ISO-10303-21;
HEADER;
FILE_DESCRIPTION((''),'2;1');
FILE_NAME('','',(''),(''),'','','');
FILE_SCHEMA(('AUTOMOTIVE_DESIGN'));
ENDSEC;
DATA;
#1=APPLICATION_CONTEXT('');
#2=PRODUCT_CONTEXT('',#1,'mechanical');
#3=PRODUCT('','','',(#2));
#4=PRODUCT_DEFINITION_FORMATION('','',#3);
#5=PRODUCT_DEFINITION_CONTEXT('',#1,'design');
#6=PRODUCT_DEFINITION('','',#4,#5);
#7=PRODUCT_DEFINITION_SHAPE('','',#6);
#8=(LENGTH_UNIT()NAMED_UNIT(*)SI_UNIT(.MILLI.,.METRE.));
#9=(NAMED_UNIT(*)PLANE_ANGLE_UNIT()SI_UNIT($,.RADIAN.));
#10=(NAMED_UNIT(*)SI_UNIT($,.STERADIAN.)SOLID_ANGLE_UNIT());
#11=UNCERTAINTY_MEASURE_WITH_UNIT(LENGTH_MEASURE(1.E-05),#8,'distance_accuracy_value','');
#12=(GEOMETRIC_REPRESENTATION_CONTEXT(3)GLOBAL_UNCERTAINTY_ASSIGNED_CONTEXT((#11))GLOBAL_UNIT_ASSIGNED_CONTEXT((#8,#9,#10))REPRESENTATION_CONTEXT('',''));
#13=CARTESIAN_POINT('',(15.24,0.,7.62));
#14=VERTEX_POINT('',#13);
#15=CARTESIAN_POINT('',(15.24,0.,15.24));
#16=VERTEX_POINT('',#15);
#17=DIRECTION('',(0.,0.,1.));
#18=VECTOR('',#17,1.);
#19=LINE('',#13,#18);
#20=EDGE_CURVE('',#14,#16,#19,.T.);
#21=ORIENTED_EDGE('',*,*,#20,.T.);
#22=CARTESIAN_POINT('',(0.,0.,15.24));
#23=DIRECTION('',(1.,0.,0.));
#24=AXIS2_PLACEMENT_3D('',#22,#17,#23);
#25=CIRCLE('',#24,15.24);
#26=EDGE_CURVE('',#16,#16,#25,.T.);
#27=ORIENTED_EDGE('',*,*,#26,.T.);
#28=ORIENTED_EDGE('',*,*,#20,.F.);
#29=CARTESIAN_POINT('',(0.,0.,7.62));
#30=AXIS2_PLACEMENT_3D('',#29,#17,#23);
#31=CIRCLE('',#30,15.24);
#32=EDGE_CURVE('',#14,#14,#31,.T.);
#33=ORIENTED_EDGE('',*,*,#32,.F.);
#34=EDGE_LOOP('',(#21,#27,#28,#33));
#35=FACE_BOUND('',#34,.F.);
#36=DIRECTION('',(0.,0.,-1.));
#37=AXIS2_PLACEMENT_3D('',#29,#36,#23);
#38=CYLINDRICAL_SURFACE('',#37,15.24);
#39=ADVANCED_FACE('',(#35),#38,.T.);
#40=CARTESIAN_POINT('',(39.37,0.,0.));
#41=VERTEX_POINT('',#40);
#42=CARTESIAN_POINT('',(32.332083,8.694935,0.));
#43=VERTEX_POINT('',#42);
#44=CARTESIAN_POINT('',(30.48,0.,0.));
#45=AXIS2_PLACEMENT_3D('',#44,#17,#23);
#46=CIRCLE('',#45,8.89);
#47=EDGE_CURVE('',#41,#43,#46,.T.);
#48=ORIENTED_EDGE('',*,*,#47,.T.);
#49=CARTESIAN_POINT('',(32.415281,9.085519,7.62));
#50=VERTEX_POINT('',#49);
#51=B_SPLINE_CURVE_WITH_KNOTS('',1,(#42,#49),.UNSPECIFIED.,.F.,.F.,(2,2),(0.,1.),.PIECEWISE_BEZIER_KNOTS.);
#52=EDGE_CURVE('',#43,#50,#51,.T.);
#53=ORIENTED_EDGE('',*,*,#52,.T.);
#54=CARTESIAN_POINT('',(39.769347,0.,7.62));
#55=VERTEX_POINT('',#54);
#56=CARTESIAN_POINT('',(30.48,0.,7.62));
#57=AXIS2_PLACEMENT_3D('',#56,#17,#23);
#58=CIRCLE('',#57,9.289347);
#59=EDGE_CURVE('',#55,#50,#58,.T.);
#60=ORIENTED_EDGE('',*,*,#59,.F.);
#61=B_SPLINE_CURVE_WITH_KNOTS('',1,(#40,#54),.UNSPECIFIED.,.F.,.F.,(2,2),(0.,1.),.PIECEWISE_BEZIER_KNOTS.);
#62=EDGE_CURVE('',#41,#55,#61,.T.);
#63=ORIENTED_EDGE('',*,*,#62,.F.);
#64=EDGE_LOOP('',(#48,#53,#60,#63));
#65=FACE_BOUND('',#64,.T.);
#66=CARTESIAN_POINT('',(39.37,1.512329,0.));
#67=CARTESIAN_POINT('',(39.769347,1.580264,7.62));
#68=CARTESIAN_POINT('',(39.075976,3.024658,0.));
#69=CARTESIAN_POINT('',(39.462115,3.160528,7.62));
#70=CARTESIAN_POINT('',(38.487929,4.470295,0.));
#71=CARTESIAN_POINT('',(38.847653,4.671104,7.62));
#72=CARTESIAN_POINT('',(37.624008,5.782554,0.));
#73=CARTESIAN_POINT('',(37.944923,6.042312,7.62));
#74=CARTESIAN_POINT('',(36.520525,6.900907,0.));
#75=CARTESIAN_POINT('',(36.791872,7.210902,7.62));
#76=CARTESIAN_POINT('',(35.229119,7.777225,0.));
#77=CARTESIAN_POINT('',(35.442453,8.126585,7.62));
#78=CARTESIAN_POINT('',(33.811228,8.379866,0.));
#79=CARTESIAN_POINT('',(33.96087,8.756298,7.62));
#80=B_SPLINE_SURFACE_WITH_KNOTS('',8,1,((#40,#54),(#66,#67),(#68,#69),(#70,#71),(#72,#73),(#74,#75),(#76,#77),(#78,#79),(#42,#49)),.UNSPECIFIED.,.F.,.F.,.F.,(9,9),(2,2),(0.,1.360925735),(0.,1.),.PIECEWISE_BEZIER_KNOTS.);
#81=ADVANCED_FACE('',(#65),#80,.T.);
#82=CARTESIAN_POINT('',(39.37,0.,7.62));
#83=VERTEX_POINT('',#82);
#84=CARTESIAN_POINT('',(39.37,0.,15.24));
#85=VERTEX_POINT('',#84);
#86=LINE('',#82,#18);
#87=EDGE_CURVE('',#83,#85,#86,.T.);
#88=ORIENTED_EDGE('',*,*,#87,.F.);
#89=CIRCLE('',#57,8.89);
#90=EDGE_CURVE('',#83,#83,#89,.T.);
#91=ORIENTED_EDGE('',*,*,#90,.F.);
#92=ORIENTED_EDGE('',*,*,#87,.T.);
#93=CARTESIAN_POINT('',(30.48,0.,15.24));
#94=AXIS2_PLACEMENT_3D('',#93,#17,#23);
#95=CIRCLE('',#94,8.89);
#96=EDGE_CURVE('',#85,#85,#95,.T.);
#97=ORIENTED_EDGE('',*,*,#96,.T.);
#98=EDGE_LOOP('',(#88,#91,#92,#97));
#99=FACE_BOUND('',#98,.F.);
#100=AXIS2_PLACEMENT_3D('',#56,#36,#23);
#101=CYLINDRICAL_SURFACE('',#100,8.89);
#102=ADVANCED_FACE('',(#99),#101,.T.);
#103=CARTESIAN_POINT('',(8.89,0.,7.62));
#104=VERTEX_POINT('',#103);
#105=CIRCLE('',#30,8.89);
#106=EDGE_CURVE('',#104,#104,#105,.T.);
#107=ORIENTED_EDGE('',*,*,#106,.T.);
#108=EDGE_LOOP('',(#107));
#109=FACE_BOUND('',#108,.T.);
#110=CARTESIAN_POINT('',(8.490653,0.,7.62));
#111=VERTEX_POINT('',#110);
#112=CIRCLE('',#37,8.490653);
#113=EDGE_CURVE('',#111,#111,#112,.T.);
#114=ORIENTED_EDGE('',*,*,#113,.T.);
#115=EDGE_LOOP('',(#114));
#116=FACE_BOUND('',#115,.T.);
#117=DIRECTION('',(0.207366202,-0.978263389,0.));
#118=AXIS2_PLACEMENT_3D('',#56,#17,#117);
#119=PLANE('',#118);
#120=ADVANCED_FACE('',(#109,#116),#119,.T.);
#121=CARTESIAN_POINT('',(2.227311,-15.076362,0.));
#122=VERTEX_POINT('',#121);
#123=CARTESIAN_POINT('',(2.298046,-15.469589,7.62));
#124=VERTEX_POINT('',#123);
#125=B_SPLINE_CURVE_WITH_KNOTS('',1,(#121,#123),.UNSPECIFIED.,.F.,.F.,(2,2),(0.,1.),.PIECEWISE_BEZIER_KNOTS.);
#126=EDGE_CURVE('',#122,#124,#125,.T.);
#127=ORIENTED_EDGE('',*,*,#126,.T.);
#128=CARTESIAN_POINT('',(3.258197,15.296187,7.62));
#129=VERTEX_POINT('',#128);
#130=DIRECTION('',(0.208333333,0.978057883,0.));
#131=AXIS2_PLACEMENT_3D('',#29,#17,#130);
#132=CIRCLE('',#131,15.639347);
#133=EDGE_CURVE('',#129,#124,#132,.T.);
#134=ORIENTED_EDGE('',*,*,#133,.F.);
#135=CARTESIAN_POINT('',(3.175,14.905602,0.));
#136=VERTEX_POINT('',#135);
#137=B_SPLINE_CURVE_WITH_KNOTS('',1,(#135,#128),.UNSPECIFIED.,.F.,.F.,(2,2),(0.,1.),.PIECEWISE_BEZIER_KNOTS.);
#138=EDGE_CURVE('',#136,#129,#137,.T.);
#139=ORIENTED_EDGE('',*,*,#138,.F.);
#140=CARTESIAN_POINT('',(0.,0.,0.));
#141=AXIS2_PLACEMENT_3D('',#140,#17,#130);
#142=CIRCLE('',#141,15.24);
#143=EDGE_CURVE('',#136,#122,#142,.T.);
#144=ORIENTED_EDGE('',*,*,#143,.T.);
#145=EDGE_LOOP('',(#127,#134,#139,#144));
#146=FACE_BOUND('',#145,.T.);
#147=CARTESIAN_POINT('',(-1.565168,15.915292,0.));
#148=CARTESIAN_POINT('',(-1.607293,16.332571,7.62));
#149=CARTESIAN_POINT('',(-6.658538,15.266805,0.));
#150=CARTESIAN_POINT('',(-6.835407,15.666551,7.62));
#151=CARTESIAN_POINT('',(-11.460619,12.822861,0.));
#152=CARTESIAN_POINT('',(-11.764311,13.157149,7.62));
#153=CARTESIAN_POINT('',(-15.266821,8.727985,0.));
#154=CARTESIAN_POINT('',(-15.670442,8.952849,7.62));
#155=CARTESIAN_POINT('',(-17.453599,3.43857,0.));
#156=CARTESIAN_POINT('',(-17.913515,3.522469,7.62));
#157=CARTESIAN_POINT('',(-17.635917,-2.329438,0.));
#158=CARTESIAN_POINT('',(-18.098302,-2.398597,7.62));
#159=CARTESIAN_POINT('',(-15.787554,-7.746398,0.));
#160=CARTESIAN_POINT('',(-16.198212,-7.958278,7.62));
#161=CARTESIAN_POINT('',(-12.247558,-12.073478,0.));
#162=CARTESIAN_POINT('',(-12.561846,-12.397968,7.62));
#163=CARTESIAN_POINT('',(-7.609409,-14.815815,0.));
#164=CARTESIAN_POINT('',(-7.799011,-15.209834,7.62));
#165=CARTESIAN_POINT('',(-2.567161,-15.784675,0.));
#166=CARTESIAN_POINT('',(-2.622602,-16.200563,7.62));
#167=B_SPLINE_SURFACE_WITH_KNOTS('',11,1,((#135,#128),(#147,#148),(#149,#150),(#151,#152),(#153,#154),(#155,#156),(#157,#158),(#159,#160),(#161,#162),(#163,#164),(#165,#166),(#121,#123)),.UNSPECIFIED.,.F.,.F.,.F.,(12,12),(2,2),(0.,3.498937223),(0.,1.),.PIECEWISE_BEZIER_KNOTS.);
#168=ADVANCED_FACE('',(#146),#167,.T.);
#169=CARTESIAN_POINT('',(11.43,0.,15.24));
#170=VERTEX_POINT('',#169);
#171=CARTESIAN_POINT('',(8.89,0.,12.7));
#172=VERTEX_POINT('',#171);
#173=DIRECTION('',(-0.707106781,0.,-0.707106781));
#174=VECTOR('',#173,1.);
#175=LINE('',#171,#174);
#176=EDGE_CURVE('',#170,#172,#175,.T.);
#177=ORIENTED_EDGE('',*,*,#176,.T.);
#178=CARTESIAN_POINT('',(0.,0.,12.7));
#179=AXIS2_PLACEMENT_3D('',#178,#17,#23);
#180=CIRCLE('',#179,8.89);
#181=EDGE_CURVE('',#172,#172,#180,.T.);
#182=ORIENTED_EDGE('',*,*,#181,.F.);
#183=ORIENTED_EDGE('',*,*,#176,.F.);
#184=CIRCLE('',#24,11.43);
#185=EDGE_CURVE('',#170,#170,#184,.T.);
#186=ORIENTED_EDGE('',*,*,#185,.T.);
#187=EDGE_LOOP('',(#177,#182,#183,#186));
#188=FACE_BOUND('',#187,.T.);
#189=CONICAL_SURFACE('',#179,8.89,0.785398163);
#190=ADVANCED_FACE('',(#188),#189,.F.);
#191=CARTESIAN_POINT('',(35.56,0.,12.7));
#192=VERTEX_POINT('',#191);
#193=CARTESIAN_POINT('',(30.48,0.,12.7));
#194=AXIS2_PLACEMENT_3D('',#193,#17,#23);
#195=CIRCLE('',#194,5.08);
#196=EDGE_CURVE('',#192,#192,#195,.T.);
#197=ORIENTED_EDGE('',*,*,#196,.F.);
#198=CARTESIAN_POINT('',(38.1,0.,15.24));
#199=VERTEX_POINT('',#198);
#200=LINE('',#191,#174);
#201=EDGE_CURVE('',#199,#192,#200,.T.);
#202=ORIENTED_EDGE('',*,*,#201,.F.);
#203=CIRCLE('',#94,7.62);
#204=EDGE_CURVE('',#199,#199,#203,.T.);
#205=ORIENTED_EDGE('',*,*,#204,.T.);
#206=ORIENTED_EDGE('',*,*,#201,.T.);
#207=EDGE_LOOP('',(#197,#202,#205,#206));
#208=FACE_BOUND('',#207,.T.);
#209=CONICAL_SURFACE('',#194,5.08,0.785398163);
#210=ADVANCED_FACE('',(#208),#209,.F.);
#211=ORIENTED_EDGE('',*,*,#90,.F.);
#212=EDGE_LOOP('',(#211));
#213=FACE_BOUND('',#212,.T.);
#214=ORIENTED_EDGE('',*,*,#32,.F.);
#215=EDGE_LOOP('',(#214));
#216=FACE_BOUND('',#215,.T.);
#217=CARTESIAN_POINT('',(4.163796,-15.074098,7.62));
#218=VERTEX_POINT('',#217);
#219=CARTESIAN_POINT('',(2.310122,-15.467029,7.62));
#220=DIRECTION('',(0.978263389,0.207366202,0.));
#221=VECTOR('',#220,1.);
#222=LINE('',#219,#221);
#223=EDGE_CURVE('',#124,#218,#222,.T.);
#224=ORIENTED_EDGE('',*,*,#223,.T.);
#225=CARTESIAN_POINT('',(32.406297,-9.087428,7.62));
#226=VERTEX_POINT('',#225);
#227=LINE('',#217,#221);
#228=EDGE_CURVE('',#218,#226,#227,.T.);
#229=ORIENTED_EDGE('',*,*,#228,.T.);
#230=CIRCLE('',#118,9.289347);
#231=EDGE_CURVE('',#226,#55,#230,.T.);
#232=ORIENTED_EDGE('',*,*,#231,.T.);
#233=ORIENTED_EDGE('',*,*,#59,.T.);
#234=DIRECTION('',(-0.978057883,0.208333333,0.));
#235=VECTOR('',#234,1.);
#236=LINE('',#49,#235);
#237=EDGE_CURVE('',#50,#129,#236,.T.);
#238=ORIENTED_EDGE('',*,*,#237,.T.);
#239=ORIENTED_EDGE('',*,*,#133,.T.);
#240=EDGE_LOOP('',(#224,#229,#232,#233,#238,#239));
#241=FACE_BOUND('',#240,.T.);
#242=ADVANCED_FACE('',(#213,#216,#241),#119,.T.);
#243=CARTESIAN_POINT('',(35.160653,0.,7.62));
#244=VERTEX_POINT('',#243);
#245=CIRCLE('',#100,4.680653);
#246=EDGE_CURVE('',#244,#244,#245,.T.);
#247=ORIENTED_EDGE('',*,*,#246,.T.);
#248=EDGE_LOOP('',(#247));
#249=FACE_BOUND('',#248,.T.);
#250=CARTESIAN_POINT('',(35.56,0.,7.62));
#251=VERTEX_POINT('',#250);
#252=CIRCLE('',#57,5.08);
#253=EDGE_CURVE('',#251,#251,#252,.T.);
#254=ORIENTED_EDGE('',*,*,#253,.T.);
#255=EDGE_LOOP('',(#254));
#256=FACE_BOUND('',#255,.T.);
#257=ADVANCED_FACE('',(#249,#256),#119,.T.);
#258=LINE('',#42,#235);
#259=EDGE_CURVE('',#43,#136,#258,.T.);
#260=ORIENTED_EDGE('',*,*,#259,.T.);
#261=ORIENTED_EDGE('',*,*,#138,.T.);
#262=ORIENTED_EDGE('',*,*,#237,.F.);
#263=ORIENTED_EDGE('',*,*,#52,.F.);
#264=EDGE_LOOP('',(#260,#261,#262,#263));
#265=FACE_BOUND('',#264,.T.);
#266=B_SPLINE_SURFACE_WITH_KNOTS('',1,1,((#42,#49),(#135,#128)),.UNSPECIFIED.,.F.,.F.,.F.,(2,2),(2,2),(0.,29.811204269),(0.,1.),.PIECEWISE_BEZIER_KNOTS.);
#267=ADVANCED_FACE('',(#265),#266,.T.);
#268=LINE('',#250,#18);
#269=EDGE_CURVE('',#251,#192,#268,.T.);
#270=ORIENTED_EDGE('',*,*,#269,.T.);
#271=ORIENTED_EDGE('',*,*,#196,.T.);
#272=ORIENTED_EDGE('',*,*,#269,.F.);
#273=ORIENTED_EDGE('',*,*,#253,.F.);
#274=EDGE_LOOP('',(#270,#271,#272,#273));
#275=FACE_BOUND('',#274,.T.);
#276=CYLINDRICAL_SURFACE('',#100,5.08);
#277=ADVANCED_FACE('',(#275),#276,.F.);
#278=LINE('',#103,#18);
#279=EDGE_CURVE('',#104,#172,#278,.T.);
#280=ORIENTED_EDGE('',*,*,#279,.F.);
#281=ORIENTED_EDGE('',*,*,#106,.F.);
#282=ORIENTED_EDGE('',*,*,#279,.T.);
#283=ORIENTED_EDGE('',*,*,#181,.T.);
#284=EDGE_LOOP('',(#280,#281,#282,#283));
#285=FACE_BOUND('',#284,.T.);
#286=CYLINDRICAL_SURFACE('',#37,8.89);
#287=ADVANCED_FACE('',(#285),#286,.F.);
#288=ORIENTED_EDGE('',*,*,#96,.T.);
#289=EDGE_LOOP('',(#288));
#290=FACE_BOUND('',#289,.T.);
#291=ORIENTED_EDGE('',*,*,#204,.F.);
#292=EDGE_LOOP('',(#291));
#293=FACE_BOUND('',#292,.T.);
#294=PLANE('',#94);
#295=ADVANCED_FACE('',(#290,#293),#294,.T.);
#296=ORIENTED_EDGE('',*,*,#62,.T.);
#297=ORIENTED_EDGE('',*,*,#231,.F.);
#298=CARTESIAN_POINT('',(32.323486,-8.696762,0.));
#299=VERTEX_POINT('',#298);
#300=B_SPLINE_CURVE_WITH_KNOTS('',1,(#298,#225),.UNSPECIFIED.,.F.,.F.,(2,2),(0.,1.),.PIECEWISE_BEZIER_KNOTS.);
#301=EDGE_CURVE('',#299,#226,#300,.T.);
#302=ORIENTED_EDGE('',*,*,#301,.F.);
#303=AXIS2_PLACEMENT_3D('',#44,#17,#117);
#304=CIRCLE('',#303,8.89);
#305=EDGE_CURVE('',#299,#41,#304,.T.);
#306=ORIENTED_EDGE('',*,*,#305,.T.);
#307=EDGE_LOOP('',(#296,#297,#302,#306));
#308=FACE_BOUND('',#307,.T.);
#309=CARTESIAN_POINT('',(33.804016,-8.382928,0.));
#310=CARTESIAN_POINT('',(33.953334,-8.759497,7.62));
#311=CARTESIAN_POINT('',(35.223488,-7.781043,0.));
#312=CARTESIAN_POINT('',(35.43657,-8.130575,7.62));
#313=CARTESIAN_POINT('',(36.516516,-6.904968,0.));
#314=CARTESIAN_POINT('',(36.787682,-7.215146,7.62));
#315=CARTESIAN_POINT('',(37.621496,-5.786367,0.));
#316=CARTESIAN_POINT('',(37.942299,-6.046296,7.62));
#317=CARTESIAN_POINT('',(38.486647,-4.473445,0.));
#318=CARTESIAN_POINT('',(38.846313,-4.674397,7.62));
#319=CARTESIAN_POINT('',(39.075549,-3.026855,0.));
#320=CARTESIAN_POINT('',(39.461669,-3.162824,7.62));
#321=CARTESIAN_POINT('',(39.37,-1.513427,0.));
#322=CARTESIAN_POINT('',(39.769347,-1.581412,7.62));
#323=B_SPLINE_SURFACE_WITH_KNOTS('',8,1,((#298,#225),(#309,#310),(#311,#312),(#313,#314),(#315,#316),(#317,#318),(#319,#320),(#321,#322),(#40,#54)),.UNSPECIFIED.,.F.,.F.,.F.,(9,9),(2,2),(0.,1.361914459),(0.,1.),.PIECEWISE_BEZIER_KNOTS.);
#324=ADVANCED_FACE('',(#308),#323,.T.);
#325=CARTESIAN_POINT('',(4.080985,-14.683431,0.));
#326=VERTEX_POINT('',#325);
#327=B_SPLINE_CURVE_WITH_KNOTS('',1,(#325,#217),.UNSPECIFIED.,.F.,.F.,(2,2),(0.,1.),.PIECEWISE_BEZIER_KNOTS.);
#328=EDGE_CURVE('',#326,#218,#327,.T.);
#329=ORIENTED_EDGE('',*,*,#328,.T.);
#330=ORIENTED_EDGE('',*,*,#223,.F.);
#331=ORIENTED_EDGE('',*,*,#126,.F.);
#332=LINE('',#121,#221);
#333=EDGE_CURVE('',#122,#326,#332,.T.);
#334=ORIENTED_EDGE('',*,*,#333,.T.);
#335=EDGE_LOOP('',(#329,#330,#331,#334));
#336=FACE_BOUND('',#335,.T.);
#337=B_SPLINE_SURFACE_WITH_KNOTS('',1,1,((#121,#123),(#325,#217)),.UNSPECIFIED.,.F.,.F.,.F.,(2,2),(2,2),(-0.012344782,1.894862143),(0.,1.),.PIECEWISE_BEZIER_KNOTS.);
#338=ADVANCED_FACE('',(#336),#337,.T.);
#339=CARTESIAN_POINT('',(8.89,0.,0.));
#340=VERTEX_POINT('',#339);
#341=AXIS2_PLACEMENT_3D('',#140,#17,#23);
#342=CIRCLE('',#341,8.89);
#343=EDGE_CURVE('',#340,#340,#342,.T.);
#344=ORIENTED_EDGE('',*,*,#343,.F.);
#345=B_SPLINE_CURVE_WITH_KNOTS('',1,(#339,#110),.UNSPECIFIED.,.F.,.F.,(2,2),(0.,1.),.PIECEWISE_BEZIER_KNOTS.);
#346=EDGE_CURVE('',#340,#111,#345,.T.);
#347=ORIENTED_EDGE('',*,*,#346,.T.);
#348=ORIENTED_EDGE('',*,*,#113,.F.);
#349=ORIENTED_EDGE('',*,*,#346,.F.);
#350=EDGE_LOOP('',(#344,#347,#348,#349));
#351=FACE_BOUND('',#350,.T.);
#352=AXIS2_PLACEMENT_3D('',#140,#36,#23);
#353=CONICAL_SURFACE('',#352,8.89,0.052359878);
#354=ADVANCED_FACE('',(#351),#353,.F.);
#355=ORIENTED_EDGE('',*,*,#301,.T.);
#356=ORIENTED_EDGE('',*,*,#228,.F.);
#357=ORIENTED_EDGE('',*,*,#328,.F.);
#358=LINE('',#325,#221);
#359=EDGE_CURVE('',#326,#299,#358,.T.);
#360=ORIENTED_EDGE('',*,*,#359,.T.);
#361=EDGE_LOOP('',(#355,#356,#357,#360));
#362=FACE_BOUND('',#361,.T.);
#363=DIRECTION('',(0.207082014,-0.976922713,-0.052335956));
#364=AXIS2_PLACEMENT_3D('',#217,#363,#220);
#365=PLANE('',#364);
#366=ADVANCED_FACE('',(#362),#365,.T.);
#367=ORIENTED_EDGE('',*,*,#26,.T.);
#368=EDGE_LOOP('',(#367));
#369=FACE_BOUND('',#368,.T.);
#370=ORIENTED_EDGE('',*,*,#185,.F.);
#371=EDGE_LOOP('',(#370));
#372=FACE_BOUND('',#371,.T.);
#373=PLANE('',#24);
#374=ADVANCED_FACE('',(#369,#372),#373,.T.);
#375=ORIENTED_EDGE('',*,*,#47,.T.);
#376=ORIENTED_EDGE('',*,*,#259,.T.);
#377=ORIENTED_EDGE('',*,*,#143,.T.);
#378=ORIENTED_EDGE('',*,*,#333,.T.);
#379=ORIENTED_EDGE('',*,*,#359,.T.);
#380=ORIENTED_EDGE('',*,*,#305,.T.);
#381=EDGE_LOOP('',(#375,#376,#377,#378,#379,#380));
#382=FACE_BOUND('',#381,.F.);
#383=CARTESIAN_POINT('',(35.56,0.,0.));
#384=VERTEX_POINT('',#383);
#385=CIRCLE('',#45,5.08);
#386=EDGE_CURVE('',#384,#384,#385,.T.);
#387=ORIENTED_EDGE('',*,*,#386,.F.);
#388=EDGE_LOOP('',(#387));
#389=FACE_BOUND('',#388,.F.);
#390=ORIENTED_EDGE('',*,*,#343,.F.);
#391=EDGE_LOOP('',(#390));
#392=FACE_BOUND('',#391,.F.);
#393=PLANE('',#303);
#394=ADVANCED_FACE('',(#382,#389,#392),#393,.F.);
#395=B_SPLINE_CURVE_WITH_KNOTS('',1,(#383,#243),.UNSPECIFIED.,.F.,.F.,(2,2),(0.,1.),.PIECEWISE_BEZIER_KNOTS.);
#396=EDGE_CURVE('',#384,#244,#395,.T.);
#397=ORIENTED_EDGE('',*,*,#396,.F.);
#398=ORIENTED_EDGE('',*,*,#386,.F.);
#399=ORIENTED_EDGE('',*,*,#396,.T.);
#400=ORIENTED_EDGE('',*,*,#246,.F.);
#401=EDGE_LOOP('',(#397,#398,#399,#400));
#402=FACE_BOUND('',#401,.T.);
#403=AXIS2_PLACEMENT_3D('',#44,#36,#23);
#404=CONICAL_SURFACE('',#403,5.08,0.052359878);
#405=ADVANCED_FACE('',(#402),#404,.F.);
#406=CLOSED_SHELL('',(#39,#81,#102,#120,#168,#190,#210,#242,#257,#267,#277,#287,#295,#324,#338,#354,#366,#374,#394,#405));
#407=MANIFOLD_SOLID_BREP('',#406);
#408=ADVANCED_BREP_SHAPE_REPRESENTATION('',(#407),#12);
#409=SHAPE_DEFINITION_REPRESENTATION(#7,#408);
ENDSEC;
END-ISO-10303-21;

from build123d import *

# Parameters (mm, degrees)
F0_R     = 8.89
F0_R_2   = 5.08
F1_DEPTH = 7.62
F1_TAPER = -3
F2_R     = 15.24
F2_R_2   = 8.89
F2_R_3   = 5.08
F3_DEPTH = 7.62
F4_SIZE  = 2.54


with BuildPart() as f1:
    # F0 (on Top) → F1 (new body)
    with BuildSketch(Plane.XY):
        with BuildLine():
            ThreePointArc((4.0809852702, -14.6834314526), (12.1336683554, -9.2212630502), (15.24, 0))
            ThreePointArc((15.24, 0), (11.8457713974, 9.5882897328), (3.175, 14.9056021348))
            ThreePointArc((3.175, 14.9056021348), (-15.2323925132, 0.4814751535), (2.2273110086, -15.0763618181))
            Line((2.2273110086, -15.0763618181), (4.0809852702, -14.6834314526))
        make_face()
        Circle(F0_R, mode=Mode.SUBTRACT)
        with BuildLine():
            ThreePointArc((39.37, 0), (37.3900333152, 5.5931690108), (32.3320833333, 8.6949345786))
            ThreePointArc((32.3320833333, 8.6949345786), (21.5900010863, 0.0043948805), (32.323485534, -8.6967615286))
            ThreePointArc((32.323485534, -8.6967615286), (37.3872674191, -5.5965843871), (39.37, 0))
        make_face()
        with Locations((30.48, 0)):
            Circle(F0_R_2, mode=Mode.SUBTRACT)
        with BuildLine():
            ThreePointArc((3.175, 14.9056021348), (11.8457713974, 9.5882897328), (15.24, 0))
            ThreePointArc((15.24, 0), (12.1336683554, -9.2212630502), (4.0809852702, -14.6834314526))
            Line((4.0809852702, -14.6834314526), (32.323485534, -8.6967615286))
            ThreePointArc((32.323485534, -8.6967615286), (21.5900010863, 0.0043948805), (32.3320833333, 8.6949345786))
            Line((32.3320833333, 8.6949345786), (3.175, 14.9056021348))
        make_face()
    extrude(amount=F1_DEPTH, taper=F1_TAPER)

    # F2 (on face) → F3 (join)
    with BuildSketch(Plane.XY.offset(7.62)):
        Circle(F2_R)
        Circle(F2_R_2, mode=Mode.SUBTRACT)
        with Locations((30.48, 0)):
            Circle(F2_R_2)
        with Locations((30.48, 0)):
            Circle(F2_R_3, mode=Mode.SUBTRACT)
    extrude(amount=F3_DEPTH)

    # F4
    f4_edges = [f1.edges().sort_by_distance(p)[0] for p in [
        (-8.89, 0, 15.24),
        (25.4, 0, 15.24),
    ]]
    chamfer(f4_edges, length=F4_SIZE)


solid = f1.part
